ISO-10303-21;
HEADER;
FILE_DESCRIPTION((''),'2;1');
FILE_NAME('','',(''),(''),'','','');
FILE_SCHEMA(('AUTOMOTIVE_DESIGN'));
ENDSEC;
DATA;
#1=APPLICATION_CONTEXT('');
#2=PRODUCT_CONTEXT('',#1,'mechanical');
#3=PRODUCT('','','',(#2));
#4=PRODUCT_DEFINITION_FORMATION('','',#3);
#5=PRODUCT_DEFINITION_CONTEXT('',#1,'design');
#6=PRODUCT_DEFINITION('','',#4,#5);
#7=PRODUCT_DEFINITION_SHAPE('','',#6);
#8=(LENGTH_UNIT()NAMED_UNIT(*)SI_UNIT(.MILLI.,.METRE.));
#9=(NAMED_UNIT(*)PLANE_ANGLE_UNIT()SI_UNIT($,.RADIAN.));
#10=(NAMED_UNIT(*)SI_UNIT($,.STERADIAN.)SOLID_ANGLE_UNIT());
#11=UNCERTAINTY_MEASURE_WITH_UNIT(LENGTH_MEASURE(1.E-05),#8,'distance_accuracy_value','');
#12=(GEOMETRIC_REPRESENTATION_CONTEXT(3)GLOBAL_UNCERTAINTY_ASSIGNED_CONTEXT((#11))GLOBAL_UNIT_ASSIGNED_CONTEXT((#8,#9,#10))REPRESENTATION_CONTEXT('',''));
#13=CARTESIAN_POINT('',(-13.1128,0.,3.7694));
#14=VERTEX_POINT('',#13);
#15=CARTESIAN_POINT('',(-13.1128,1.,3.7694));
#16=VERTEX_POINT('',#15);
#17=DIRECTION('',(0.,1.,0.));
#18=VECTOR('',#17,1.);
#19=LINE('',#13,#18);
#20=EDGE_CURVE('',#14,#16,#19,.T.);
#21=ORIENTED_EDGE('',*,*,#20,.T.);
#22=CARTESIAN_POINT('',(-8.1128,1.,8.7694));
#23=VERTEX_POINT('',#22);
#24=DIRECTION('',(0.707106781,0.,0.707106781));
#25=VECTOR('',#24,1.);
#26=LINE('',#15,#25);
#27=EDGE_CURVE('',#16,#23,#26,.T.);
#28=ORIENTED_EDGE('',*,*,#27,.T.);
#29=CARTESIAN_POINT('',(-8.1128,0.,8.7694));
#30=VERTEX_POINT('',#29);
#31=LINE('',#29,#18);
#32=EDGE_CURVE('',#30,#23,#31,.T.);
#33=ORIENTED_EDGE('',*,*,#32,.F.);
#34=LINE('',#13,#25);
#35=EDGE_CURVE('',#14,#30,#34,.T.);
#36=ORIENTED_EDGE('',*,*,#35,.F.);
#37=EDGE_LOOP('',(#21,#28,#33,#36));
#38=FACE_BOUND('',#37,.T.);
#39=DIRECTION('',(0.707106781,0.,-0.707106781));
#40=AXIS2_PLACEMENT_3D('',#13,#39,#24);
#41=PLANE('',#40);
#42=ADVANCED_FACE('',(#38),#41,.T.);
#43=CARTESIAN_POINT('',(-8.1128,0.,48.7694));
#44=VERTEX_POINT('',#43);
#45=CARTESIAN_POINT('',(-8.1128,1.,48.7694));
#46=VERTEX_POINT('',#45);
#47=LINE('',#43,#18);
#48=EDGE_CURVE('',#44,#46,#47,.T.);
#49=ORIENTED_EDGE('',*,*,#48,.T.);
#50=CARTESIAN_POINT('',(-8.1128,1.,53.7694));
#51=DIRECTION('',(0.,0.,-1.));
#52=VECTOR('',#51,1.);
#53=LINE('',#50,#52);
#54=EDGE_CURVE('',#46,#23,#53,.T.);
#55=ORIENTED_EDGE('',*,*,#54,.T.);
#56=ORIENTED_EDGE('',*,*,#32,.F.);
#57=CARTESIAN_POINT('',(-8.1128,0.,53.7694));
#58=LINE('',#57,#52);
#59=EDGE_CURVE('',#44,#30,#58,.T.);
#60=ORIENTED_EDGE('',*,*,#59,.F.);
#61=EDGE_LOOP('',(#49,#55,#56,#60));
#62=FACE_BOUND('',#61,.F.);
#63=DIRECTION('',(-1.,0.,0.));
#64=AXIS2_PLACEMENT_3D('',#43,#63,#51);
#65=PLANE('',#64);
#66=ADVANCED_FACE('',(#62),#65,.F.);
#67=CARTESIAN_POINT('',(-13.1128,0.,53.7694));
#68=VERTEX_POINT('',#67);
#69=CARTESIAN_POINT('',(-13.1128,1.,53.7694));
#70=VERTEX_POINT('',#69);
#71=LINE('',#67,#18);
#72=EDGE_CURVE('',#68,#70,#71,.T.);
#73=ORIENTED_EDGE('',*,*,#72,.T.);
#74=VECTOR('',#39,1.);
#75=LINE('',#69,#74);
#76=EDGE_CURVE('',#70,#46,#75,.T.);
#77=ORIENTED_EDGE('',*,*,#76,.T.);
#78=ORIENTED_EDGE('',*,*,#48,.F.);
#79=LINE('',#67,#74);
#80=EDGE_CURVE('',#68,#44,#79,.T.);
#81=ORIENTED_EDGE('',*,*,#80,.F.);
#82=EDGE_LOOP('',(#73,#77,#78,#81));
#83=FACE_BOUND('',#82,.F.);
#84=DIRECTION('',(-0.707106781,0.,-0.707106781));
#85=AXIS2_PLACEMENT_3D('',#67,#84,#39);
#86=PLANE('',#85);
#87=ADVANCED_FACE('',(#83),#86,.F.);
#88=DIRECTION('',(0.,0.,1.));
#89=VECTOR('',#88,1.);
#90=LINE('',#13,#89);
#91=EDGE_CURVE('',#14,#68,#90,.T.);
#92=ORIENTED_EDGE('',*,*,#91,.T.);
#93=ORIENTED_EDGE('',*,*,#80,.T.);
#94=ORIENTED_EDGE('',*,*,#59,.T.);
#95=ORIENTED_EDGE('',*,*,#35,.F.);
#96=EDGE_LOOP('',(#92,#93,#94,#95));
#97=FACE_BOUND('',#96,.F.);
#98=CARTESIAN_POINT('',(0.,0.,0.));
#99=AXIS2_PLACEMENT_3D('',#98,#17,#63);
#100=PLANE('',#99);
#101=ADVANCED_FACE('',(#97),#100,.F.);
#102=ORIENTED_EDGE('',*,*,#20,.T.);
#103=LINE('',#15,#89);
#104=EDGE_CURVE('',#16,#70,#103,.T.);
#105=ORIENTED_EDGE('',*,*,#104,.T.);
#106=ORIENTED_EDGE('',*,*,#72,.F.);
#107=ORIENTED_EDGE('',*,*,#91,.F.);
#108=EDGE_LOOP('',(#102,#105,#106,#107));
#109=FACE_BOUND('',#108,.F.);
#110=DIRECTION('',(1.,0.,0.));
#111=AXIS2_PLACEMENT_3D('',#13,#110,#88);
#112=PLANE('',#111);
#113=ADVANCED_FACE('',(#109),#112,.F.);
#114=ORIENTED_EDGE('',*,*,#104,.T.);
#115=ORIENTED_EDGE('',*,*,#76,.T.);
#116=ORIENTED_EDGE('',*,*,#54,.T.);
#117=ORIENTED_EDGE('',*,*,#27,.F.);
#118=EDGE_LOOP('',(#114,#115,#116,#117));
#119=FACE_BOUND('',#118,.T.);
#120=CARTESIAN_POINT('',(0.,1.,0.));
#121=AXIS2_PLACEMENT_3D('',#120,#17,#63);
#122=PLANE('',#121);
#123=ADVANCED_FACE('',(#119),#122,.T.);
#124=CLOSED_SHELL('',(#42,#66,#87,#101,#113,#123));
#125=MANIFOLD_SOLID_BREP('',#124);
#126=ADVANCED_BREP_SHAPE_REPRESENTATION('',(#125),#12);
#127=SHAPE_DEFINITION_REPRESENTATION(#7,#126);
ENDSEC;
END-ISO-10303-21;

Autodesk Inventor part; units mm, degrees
ref_plane "YZ Plane" through (0, 0, 0) normal (1, 0, 0) x (0, 1, 0)
ref_plane "XZ Plane" through (0, 0, 0) normal (0, 1, 0) x (-1, 0, 0)
ref_plane "XY Plane" through (0, 0, 0) normal (0, 0, 1) x (1, 0, 0)
sketch "Sketch1" plane through (0, 0, 0) normal (0, 1, 0) x (-1, 0, 0)
  line L0 (13.1128, 53.7694) -> (8.1128, 53.7694)
  line L1 (8.1128, 53.7694) -> (8.1128, 3.7694)
  line L2 (8.1128, 3.7694) -> (13.1128, 3.7694)
  line L3 (13.1128, 3.7694) -> (13.1128, 53.7694)
  line L4 (13.1128, 53.7694) -> (8.1128, 48.7694)
  line L5 (13.1128, 3.7694) -> (8.1128, 8.7694)
  point P0 (0, 0)
  point P1 (-6.8872, 33.7694)
  dimension "d0" = 45
  dimension "d1" = 5
  dimension "d2" = 45
  dimension "d6" = 40
extrude "Extrusion1" add sketch "Sketch1" along normal blind 1 contours L3 L5 L1 L4
properties part number "Bridge_width_small"
